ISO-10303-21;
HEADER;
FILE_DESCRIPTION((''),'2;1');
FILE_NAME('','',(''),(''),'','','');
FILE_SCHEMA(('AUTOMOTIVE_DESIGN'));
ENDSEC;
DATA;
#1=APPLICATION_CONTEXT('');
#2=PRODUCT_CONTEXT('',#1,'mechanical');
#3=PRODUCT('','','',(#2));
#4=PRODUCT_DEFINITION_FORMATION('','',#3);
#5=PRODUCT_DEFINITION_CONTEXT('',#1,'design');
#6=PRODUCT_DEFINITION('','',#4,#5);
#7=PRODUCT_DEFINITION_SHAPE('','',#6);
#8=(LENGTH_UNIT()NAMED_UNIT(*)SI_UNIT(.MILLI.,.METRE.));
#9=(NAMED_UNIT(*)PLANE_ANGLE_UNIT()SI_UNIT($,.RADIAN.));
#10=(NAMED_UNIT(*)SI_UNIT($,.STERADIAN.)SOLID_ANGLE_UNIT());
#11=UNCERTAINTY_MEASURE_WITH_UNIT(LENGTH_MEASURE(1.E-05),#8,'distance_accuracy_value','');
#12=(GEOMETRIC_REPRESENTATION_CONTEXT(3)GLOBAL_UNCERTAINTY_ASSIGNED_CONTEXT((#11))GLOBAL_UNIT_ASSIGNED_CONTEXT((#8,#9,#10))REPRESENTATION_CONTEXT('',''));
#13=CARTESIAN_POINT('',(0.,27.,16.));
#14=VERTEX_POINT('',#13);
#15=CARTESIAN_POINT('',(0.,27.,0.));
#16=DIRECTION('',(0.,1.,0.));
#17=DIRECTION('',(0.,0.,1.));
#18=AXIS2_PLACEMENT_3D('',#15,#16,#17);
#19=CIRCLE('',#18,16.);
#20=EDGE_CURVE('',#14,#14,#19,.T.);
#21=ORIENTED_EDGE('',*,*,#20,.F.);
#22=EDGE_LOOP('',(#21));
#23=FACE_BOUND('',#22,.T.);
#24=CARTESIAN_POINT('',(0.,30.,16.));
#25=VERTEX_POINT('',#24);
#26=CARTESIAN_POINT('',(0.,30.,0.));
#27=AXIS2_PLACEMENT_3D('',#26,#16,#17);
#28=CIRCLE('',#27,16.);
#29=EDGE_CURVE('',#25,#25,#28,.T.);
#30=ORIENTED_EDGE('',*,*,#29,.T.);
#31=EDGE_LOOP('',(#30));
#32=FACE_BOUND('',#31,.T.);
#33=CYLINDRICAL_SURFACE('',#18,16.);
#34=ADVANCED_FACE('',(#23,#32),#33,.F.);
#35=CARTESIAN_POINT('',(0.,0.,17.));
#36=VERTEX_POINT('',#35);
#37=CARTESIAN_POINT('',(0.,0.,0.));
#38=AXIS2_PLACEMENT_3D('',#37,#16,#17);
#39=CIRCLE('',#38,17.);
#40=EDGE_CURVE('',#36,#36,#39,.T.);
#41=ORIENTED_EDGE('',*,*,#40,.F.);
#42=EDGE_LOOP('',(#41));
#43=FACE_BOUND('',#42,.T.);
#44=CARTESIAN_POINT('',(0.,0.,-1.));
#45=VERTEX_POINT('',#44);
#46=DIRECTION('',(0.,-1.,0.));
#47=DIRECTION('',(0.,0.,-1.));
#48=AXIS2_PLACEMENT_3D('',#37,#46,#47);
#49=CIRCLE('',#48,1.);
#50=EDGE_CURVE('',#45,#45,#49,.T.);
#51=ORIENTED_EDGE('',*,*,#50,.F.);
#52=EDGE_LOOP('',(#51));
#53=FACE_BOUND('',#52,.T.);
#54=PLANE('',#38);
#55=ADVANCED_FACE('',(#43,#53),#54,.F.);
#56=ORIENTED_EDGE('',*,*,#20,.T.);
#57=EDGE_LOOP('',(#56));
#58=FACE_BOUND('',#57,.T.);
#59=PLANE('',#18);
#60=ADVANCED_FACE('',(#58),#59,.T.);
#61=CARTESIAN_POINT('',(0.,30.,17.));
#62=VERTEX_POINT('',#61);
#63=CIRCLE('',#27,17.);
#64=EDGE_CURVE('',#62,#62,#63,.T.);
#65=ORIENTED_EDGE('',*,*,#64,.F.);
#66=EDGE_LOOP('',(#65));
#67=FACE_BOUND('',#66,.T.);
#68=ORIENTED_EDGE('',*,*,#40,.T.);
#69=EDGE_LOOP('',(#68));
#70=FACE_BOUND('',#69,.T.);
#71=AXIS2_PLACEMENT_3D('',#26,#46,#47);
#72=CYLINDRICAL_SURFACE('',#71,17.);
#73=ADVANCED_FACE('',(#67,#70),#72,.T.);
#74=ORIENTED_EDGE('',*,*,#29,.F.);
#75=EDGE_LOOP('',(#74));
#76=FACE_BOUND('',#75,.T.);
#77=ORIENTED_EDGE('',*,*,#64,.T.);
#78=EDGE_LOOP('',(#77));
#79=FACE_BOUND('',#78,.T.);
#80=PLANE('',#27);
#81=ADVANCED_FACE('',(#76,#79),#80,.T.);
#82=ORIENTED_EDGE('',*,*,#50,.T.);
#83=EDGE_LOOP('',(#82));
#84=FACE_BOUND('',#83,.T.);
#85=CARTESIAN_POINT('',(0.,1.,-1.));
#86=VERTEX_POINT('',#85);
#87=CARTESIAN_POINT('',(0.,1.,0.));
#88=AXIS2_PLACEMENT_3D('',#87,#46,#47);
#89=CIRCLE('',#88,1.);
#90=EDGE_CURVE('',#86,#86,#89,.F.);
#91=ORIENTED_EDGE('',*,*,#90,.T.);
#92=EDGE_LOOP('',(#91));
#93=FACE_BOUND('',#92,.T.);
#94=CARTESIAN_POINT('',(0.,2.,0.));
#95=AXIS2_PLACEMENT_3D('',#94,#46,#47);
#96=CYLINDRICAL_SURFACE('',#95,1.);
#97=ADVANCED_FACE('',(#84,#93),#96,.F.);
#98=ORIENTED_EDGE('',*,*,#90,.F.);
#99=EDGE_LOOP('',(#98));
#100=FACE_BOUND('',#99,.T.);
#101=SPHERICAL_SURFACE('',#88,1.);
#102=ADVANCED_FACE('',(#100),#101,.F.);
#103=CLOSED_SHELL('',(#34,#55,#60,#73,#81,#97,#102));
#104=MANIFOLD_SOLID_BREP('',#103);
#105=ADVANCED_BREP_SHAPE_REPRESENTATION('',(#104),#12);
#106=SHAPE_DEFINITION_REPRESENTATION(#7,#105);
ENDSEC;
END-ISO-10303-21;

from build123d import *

# Parameters (mm, degrees)
SKETCH1_R           = 17
BOSS_EXTRUDE1_DEPTH = 30
SKETCH2_R           = 16
CUT_EXTRUDE1_DEPTH  = 3
SKETCH3_R           = 1
CUT_EXTRUDE2_DEPTH  = 2
FILLET1_R           = 1


with BuildPart() as part:
    # Sketch1 → Boss-Extrude1 (new body)
    with BuildSketch(Plane(origin=(0, 0, 0), x_dir=(1, 0, 0), z_dir=(0, 1, 0))):
        Circle(SKETCH1_R)
    extrude(amount=BOSS_EXTRUDE1_DEPTH)

    # Sketch2 → Cut-Extrude1 (cut)
    with BuildSketch(Plane(origin=(0, 30, 0), x_dir=(1, 0, 0), z_dir=(0, 1, 0))):
        Circle(SKETCH2_R)
    extrude(amount=-CUT_EXTRUDE1_DEPTH, mode=Mode.SUBTRACT)

    # Sketch3 → Cut-Extrude2 (cut)
    with BuildSketch(Plane.XZ):
        Circle(SKETCH3_R)
    extrude(amount=-CUT_EXTRUDE2_DEPTH, mode=Mode.SUBTRACT)

    # Fillet1
    fillet1_edges = [part.edges().sort_by_distance(p)[0] for p in [
        (-1, 2, 0),
    ]]
    fillet(fillet1_edges, radius=FILLET1_R)


solid = part.part
